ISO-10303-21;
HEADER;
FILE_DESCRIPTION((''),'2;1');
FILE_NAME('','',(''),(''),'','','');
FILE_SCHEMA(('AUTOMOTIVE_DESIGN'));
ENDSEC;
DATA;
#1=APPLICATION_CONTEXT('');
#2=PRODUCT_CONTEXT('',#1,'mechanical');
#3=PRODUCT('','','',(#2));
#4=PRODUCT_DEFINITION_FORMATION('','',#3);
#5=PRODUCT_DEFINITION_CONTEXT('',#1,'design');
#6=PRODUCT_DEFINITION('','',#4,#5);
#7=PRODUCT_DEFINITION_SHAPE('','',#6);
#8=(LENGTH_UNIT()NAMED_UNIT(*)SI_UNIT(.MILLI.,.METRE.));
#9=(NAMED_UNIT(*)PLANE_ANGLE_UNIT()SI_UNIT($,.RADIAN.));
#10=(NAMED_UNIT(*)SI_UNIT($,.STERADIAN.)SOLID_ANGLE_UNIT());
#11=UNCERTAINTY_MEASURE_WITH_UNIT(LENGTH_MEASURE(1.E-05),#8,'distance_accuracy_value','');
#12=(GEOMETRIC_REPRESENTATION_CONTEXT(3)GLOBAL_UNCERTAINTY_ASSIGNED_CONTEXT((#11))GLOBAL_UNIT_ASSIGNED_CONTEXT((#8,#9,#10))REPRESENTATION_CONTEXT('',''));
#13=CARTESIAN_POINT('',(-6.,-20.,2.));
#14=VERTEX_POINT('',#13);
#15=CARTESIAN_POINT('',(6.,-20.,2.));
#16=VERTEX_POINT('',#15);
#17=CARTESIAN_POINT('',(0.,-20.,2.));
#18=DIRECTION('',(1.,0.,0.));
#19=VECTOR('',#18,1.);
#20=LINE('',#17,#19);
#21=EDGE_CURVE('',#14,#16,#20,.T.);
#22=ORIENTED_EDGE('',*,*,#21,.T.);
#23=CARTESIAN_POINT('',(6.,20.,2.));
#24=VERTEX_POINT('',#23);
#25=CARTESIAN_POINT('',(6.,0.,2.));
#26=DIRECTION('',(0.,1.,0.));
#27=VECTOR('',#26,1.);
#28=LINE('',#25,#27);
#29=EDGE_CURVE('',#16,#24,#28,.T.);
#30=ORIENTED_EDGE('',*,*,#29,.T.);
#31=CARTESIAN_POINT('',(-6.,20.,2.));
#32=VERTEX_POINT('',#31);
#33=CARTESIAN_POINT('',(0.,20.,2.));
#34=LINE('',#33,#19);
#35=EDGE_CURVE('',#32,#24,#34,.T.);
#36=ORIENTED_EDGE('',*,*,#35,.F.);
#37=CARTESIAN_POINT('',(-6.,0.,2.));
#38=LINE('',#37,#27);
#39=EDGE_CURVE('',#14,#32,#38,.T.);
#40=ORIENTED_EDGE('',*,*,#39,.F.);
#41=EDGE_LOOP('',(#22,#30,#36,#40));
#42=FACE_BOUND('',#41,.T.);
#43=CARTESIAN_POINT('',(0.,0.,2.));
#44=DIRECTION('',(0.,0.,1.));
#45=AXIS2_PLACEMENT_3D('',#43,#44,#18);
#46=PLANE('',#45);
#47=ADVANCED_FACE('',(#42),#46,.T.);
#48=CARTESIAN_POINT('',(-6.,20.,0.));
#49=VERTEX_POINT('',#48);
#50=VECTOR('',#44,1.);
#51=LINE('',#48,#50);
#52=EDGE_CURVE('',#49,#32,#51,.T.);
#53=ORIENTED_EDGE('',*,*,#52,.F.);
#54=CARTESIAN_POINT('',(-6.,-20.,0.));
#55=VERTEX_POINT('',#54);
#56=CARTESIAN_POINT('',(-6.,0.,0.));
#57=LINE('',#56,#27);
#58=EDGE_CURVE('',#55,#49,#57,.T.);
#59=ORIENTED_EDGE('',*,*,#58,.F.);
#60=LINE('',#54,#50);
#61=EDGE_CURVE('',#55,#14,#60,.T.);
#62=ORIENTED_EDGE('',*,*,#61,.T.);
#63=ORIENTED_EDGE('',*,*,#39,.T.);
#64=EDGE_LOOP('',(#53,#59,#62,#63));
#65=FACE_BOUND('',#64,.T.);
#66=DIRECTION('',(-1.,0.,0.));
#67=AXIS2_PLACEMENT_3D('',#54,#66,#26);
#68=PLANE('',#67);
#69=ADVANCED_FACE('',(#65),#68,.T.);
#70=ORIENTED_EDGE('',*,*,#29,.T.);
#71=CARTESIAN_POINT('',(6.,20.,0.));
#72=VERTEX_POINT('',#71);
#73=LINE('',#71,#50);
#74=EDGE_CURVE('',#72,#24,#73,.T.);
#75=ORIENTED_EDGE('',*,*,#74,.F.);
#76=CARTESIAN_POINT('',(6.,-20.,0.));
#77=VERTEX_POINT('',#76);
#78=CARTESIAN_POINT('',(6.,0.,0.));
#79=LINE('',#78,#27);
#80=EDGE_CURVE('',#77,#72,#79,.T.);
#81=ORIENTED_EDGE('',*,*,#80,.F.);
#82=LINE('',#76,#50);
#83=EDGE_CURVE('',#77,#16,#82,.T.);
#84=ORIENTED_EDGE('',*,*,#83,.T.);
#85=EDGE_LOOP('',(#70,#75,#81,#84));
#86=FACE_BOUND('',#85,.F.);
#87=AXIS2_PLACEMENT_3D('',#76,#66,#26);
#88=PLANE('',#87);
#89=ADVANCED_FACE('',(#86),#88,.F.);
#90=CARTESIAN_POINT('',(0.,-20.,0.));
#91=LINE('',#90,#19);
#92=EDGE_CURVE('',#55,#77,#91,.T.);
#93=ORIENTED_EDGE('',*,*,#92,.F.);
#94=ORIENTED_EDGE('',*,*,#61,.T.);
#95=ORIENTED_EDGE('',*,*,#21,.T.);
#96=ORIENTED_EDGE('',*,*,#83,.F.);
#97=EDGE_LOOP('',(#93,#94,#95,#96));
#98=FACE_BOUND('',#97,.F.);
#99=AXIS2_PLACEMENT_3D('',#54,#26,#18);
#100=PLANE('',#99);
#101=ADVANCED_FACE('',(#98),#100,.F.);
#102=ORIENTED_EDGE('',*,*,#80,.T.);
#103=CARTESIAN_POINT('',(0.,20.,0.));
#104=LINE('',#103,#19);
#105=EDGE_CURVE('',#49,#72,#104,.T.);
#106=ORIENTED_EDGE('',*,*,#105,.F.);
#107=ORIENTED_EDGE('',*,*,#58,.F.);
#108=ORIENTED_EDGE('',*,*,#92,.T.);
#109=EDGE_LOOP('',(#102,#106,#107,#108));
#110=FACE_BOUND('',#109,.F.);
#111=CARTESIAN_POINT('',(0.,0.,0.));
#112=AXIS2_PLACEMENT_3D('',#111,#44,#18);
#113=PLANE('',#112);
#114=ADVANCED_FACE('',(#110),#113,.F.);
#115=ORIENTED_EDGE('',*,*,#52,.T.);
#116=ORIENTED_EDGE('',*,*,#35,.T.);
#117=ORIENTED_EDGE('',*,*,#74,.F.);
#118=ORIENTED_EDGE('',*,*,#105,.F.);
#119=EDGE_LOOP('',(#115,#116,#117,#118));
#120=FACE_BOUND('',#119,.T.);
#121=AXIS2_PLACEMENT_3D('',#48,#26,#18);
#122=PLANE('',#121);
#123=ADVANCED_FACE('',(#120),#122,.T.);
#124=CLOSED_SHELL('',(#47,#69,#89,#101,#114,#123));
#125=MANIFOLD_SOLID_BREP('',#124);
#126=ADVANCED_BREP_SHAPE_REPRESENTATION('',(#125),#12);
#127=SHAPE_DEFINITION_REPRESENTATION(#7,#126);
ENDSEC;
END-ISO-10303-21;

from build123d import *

# Parameters (mm, degrees)
SKETCH_W  = 12
SKETCH_H  = 40
PAD_DEPTH = 2


with BuildPart() as part:
    # Sketch → Pad (new body)
    with BuildSketch(Plane.XY):
        Rectangle(SKETCH_W, SKETCH_H)
    extrude(amount=PAD_DEPTH)


solid = part.part
